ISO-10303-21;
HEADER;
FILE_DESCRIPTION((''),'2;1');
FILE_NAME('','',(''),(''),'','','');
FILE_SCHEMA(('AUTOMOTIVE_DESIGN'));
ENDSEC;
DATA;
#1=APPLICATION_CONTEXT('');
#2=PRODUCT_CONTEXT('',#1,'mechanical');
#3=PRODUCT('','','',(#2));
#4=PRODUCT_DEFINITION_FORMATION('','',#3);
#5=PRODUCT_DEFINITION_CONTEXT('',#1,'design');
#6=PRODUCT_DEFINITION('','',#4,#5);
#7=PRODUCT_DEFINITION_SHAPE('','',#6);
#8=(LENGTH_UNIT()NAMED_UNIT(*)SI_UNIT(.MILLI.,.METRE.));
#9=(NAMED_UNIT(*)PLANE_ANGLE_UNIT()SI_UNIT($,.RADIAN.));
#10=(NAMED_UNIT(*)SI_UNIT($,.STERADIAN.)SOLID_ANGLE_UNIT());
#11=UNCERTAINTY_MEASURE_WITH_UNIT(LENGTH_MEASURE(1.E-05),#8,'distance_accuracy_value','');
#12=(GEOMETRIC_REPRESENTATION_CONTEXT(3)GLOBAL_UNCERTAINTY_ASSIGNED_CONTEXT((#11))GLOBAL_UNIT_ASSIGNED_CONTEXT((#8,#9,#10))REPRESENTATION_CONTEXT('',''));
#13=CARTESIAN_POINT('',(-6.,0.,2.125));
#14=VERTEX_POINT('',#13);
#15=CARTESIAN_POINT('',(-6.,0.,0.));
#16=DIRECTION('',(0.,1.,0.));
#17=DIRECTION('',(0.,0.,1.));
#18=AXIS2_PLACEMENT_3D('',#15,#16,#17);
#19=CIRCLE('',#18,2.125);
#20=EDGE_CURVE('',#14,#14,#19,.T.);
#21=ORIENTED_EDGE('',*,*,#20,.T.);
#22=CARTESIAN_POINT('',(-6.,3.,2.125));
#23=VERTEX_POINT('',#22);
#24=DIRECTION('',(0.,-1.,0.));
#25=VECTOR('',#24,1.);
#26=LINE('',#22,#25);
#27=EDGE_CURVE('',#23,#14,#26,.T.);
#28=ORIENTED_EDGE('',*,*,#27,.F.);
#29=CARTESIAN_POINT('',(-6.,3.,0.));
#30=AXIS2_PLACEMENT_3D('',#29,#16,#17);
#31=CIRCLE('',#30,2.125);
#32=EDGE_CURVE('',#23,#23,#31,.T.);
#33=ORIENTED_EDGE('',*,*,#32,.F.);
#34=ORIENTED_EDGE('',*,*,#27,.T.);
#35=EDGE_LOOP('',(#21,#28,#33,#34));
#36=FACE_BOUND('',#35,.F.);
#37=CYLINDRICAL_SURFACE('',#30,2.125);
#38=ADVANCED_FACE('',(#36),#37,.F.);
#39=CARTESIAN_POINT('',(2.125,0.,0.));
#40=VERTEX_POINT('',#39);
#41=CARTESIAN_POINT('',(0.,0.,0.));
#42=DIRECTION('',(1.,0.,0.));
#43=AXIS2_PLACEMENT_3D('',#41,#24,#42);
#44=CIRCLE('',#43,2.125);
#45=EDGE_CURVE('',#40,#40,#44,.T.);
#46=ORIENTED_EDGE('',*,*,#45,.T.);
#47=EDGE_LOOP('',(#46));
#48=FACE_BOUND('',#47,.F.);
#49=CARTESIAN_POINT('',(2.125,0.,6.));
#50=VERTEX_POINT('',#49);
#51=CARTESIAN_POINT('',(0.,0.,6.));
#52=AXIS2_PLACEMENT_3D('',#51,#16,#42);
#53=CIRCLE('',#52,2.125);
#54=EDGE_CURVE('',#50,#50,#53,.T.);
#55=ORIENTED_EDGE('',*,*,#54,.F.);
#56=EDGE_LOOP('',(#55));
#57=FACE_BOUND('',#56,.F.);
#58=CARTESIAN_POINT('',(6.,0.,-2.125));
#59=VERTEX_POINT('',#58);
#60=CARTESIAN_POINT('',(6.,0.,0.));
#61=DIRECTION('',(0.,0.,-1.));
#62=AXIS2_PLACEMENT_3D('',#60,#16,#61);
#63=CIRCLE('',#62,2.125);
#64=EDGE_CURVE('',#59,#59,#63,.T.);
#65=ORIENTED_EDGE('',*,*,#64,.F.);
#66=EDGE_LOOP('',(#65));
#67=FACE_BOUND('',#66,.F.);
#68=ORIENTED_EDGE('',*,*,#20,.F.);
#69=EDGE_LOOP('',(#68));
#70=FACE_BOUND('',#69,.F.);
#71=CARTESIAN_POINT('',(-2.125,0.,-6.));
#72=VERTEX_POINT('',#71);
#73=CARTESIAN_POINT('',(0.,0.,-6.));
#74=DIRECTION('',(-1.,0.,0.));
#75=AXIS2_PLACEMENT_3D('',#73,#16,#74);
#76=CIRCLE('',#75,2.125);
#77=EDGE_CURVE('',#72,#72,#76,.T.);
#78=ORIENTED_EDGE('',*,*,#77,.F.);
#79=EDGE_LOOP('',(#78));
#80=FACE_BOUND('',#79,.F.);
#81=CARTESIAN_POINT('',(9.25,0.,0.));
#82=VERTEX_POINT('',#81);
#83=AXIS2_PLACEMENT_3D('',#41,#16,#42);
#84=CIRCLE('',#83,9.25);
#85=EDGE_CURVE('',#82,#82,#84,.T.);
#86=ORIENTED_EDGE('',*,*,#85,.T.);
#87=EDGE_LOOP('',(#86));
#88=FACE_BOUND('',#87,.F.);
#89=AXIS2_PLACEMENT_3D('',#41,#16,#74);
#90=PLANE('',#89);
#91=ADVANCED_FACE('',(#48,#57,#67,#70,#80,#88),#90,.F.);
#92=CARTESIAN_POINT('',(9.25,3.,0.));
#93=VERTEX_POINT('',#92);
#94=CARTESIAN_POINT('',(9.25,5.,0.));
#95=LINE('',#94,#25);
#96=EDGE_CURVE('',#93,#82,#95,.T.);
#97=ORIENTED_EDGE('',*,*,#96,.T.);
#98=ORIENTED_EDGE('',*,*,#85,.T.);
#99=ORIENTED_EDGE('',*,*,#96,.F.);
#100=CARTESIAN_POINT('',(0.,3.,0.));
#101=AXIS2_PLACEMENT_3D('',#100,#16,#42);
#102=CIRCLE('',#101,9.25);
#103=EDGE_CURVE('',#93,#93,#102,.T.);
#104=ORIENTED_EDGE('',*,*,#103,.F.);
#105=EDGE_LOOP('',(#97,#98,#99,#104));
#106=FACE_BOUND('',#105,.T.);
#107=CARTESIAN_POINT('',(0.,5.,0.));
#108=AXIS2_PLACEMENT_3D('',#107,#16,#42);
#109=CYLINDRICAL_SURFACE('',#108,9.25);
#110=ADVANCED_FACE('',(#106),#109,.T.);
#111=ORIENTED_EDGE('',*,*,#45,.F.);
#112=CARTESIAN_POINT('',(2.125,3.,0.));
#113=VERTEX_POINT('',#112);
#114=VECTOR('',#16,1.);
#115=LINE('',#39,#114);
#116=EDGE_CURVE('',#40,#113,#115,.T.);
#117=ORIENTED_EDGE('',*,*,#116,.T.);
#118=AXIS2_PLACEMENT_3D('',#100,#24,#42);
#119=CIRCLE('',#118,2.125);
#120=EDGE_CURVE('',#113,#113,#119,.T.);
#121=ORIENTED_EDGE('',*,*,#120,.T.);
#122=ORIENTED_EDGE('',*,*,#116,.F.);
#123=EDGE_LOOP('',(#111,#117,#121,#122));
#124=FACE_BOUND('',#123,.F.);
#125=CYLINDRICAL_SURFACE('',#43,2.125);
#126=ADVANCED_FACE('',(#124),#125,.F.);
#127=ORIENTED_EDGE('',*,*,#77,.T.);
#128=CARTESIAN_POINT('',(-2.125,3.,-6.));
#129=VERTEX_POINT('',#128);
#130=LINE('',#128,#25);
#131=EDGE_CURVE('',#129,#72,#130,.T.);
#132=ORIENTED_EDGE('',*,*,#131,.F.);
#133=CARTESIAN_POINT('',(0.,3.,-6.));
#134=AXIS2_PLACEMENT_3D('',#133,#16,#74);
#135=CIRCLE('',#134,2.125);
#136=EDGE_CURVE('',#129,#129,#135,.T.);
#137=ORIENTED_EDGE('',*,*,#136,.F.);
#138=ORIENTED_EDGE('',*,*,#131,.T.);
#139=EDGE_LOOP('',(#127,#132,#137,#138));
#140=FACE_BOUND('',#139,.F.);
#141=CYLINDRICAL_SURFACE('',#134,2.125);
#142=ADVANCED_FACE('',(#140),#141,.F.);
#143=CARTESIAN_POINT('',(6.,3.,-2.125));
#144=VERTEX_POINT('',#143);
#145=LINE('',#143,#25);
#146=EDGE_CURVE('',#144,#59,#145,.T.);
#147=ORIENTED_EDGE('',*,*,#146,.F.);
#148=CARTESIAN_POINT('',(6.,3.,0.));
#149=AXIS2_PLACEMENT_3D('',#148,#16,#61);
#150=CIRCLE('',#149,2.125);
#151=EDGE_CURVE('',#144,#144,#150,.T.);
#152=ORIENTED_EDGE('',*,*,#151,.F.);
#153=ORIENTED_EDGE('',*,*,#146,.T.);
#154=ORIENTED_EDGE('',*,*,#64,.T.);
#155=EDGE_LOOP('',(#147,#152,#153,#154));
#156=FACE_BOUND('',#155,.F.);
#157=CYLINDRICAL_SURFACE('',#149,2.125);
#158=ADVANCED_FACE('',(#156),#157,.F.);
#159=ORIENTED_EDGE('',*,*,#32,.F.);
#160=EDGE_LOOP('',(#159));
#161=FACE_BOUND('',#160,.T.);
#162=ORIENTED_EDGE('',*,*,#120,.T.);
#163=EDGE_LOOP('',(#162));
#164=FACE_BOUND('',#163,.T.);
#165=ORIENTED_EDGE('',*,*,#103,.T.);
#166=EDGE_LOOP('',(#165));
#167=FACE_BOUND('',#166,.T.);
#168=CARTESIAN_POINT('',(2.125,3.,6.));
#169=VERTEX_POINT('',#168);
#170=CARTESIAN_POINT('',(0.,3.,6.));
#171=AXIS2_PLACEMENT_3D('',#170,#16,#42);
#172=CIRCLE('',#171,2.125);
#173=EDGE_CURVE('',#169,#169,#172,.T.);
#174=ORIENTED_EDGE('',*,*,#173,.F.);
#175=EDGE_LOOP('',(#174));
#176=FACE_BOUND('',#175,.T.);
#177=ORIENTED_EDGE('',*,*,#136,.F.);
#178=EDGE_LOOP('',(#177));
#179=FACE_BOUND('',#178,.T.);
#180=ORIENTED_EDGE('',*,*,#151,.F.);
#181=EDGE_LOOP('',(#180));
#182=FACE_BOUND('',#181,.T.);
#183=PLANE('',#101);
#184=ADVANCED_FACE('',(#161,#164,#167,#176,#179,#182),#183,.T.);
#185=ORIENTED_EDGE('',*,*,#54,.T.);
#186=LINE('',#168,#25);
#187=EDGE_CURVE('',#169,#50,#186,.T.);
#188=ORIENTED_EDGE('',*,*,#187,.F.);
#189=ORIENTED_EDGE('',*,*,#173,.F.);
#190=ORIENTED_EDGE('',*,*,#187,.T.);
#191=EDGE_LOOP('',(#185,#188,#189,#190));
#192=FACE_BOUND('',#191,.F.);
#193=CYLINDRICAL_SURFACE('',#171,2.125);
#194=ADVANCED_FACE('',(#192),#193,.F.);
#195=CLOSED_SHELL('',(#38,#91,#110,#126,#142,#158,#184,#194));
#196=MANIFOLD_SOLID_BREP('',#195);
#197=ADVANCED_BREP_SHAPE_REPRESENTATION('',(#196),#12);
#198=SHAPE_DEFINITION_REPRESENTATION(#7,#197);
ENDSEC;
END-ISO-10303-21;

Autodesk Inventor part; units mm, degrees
ref_plane "YZ Plane" through (0, 0, 0) normal (1, 0, 0) x (0, 1, 0)
ref_plane "XZ Plane" through (0, 0, 0) normal (0, 1, 0) x (-1, 0, 0)
ref_plane "XY Plane" through (0, 0, 0) normal (0, 0, 1) x (1, 0, 0)
sketch "Sketch1" plane through (0, 0, 0) normal (0, 1, 0) x (-1, 0, 0)
  line L0 (0, 0) -> (0, -19.05)
  circle A0 centre (0, -19.05) radius 4
  circle A1 centre (0, 0) radius 25
  dimension "d0" = 19.05
  dimension "d1" = 8
  dimension "d2" = 50
extrude "Extrusion1" add sketch "Sketch1" along normal blind 5 contours A0 | A1
sketch "Sketch2" plane through (0, 5, 0) normal (0, 1, 0) x (1, 0, 0)
  line L0 (0, 0) -> (0, 19.05)
  circle A0 centre (0, 19.05) radius 3.9
  dimension "d5" = 19.05
  dimension "d6" = 7.8
extrude "Extrusion2" add sketch "Sketch2" along normal blind 9
sketch "Sketch4" plane through (0, 5, 0) normal (0, 1, 0) x (1, 0, 0)
  circle A0 centre (0, 0) radius 9.25
  dimension "d9" = 18.5
extrude "Extrusion3" cut sketch "Sketch4" against normal blind 2
sketch "Sketch5" plane through (0, 3, 0) normal (0, 1, 0) x (1, 0, 0)
  line L0 (0, 0) -> (0, -6)
  circle A0 centre (0, -6) radius 2.125
  dimension "d12" = 6
  dimension "d13" = 4.25
extrude "Extrusion4" cut sketch "Sketch5" against normal through all
pattern_circular "Circular Pattern1" count 4 over 360 about axis through (0, 0, 0) along (0, 1, 0) of "Extrusion4"
sketch "Sketch6" plane through (0, 0, 0) normal (0, -1, 0) x (1, 0, 0)
  circle A0 centre (0, 0) radius 9
  circle A1 centre (0, 0) radius 2.125
  dimension "d19" = 18
  dimension "d20" = 4.25
extrude "Extrusion5" cut sketch "Sketch6" against normal through all contours A1
sketch "Sketch7" plane through (0, 5, 0) normal (0, 1, 0) x (1, 0, 0)
  point P0 (0, 0)
sketch "Sketch8" plane through (0, 5, 0) normal (0, 1, 0) x (1, 0, 0)
  circle A0 centre (0, 0) radius 9.25
  circle A1 centre (0, 0) radius 25
extrude "Extrusion6" cut sketch "Sketch8" along normal through all both and the other way through all
properties part number "Picker"
